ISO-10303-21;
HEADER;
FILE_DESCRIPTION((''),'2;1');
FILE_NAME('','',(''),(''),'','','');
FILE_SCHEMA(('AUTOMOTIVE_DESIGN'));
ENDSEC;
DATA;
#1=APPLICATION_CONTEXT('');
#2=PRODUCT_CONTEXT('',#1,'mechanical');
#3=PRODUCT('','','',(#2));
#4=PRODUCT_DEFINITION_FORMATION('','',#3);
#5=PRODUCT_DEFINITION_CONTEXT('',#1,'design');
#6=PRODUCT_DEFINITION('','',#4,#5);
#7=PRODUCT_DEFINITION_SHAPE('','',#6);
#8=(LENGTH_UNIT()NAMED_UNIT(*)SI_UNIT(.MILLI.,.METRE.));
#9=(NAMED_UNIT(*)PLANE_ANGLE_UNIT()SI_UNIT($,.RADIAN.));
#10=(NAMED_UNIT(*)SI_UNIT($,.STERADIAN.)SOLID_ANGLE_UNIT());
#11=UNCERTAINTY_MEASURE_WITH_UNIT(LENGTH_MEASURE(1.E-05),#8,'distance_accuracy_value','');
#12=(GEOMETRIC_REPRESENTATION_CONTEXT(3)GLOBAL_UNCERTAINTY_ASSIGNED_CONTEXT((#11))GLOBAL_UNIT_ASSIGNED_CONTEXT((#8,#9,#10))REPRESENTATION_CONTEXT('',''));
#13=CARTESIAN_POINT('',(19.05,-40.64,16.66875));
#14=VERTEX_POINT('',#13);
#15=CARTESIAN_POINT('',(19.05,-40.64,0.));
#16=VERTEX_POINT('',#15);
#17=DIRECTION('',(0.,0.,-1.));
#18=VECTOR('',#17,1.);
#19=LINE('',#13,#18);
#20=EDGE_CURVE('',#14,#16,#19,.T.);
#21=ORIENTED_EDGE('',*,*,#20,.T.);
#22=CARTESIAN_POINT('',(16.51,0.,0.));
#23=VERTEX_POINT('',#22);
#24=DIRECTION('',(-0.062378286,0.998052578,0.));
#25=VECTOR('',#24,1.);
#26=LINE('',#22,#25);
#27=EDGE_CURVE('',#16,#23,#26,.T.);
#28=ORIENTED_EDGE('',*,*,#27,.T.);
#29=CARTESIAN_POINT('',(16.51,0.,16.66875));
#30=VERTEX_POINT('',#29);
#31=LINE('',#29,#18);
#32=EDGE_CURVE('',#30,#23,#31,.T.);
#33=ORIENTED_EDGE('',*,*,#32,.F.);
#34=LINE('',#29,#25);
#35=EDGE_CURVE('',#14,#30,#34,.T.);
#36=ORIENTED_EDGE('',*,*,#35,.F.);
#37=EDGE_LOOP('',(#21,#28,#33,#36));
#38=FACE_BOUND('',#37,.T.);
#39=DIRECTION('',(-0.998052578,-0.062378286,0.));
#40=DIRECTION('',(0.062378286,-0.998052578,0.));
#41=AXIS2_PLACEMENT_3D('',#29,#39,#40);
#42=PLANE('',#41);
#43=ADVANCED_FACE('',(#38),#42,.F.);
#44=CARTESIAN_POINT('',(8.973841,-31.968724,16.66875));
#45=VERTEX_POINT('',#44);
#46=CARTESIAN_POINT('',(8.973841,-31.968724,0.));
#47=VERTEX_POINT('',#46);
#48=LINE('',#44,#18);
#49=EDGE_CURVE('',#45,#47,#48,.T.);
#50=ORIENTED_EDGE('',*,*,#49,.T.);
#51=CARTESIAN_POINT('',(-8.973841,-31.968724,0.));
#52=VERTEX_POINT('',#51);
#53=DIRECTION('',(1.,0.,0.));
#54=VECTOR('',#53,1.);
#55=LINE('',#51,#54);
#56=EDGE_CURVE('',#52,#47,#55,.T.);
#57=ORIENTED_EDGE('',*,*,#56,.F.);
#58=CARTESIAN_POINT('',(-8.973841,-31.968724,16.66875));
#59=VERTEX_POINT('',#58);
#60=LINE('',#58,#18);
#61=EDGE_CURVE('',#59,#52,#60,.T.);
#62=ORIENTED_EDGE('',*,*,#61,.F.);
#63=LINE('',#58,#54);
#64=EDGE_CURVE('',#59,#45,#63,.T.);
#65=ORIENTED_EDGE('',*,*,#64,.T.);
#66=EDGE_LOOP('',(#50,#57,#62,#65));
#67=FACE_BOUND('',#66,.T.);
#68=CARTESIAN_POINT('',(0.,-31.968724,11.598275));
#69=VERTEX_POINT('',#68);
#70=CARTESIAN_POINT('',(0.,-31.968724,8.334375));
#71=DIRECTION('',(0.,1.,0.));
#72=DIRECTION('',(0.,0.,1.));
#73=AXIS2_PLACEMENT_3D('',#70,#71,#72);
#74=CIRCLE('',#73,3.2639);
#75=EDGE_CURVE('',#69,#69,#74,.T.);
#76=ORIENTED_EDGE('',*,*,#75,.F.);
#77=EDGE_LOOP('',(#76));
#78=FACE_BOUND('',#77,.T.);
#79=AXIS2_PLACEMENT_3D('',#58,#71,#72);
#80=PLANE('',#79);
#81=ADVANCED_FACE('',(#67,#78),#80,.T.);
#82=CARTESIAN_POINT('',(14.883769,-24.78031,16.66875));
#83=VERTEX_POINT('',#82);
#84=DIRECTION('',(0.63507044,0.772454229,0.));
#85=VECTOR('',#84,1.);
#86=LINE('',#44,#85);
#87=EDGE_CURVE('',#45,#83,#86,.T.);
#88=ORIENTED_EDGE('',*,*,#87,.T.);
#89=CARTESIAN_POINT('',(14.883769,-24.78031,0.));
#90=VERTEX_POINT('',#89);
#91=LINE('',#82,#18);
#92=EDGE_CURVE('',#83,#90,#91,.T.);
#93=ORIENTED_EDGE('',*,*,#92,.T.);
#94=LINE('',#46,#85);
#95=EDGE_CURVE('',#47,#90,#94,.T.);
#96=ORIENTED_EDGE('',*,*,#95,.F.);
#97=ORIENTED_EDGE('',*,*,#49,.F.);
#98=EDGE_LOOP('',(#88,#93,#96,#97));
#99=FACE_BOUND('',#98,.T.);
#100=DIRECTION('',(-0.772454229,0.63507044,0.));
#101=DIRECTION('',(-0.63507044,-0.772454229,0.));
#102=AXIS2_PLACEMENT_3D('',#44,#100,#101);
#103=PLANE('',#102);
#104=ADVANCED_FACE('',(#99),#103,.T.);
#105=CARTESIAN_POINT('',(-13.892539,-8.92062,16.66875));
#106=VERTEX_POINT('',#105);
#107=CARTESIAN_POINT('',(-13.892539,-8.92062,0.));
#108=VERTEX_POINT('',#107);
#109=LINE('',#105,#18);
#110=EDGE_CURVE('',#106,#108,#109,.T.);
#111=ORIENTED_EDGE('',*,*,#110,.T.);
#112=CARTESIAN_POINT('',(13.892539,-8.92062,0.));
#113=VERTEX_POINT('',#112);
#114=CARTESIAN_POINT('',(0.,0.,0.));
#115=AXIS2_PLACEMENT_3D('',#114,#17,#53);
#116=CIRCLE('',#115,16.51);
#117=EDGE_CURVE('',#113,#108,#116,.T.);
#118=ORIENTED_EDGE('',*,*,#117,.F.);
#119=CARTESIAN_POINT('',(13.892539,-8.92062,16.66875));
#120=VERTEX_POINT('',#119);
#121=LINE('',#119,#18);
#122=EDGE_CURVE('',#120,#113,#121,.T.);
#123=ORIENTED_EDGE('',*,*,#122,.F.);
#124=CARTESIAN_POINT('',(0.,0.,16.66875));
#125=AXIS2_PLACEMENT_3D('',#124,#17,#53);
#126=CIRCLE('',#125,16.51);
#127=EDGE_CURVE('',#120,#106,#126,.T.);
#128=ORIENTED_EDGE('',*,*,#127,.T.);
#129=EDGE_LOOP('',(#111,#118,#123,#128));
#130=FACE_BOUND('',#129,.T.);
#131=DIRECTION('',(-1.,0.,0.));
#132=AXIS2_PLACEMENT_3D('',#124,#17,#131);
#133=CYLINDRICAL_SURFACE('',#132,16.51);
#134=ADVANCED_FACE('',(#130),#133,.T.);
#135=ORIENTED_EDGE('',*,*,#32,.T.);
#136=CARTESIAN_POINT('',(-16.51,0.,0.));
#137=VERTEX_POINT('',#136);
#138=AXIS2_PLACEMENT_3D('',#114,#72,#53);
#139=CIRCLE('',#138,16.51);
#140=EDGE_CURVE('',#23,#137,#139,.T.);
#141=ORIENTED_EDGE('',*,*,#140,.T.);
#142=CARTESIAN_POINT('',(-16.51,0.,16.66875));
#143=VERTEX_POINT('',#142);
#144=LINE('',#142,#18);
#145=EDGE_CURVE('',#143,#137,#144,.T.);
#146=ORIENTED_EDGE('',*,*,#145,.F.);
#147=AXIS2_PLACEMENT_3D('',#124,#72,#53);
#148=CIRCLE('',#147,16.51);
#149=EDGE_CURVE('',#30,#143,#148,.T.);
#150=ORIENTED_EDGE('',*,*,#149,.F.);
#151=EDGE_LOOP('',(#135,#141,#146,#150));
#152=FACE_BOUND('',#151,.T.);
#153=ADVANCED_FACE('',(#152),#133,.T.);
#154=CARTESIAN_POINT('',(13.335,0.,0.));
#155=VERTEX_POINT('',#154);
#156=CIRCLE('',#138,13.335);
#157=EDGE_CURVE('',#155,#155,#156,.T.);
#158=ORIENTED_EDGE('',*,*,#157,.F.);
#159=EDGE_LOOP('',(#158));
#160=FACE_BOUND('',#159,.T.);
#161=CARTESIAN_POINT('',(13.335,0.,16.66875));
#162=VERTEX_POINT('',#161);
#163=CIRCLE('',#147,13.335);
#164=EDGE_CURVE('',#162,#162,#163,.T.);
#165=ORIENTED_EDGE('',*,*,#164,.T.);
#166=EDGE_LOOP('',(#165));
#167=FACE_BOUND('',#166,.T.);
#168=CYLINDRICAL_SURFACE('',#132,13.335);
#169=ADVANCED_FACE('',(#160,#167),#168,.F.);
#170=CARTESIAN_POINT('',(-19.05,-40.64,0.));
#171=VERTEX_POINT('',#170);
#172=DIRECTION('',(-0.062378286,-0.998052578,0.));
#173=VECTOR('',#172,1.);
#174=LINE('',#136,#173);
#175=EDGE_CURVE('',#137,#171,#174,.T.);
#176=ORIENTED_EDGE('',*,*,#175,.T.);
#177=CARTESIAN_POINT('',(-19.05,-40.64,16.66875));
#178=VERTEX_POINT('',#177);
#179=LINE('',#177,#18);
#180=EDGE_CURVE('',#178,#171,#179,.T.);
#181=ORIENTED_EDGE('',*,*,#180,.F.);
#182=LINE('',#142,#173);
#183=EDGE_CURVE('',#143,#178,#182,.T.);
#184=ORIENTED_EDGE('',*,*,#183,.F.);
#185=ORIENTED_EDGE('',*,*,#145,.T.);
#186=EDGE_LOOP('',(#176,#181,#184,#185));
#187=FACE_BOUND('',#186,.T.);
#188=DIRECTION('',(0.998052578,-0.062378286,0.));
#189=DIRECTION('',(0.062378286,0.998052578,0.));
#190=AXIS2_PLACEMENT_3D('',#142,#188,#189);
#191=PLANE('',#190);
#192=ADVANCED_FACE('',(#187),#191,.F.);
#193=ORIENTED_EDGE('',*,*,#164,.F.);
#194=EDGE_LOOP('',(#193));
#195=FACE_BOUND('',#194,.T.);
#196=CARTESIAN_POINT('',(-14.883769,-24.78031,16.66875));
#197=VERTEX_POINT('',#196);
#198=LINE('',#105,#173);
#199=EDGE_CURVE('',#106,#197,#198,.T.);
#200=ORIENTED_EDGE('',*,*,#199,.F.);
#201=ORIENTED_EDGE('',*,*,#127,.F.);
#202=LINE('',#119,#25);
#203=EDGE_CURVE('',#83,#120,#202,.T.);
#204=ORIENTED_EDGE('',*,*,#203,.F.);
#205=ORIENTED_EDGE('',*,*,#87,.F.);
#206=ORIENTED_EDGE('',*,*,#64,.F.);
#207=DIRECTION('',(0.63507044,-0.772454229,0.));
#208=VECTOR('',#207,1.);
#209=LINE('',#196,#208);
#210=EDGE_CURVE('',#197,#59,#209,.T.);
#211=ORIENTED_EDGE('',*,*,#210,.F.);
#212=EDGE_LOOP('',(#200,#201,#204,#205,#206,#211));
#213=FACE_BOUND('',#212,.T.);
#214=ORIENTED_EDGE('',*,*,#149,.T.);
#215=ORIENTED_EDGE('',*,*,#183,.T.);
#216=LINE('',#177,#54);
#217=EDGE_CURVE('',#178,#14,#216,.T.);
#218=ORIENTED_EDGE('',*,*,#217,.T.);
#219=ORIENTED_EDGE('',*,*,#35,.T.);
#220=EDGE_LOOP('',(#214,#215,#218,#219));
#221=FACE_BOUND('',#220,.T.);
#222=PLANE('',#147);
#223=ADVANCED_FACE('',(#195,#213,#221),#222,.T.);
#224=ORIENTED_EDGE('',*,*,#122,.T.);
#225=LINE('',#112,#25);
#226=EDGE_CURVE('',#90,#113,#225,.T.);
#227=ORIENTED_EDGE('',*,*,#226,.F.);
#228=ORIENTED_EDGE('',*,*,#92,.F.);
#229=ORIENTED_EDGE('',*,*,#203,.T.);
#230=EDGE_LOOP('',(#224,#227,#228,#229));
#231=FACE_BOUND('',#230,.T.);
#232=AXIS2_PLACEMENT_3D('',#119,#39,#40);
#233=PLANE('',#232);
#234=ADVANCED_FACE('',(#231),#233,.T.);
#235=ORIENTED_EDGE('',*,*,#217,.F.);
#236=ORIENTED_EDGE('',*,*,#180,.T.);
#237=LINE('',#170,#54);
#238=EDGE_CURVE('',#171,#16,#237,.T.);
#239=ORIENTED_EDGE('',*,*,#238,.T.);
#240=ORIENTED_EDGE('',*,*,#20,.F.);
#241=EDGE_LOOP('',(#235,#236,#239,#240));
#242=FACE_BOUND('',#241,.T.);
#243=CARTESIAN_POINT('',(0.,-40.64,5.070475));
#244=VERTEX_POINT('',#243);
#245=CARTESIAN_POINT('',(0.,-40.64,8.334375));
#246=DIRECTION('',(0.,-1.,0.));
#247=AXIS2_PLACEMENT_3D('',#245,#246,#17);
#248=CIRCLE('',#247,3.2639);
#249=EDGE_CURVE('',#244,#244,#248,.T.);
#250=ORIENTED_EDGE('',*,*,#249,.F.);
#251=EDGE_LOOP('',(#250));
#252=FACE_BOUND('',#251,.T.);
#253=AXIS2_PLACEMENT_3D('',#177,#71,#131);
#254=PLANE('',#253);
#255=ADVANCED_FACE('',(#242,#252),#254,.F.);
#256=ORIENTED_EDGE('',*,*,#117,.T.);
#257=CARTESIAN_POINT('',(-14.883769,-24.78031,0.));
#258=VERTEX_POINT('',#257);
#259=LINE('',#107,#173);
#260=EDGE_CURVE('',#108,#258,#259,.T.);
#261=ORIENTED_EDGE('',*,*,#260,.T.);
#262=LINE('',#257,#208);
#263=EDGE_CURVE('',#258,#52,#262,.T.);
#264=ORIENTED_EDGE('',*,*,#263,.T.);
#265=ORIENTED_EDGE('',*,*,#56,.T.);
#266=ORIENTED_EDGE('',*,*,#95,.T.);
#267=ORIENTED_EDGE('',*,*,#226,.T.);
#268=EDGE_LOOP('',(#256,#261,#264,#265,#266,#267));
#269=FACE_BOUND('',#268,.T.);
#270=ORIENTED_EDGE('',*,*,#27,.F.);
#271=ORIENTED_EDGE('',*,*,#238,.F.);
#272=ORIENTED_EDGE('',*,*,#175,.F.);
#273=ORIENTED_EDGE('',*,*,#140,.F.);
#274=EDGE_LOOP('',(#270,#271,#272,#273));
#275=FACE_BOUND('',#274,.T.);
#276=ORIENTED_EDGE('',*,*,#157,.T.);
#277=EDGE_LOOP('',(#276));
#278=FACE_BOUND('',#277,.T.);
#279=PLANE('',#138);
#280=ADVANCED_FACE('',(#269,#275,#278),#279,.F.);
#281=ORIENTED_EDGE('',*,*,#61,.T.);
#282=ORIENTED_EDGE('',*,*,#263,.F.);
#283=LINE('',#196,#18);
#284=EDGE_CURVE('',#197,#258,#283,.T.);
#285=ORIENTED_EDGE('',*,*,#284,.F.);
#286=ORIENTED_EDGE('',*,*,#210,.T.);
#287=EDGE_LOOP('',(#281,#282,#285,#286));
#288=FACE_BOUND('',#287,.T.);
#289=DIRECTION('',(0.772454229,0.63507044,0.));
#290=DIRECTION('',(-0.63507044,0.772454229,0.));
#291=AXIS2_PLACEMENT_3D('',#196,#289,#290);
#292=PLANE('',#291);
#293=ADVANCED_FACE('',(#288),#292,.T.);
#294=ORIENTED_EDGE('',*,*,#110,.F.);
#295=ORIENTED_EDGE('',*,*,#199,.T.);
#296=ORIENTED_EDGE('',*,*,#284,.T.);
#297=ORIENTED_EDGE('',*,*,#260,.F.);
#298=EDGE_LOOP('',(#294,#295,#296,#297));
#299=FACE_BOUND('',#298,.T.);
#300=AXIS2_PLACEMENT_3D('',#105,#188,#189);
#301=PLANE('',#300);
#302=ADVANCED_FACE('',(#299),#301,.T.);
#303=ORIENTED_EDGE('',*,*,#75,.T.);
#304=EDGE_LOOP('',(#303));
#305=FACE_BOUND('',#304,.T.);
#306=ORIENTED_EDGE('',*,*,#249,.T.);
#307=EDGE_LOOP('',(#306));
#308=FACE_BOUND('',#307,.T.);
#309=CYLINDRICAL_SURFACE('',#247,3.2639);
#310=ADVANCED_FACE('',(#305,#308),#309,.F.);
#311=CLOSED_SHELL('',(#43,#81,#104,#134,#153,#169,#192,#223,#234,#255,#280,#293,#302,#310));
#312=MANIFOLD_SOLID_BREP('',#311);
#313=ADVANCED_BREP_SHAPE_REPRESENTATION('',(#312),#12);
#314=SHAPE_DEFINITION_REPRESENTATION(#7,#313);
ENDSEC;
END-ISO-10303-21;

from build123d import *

# Parameters (mm, degrees)
SKETCH1_R                   = 13.335
BOSS_EXTRUDE1_DEPTH         = 16.66875
F_1_4_CLEARANCE_HOLE1_D     = 6.5278
F_1_4_CLEARANCE_HOLE1_DEPTH = 8.671275816


with BuildPart() as part:
    # Sketch1 → Boss-Extrude1 (new body)
    with BuildSketch(Plane.XY):
        with BuildLine():
            Line((-19.05, -40.64), (19.05, -40.64))
            Line((19.05, -40.64), (16.51, 0))
            ThreePointArc((16.51, 0), (0, 16.51), (-16.51, 0))
            Line((-16.51, 0), (-19.05, -40.64))
        make_face()
        Circle(SKETCH1_R, mode=Mode.SUBTRACT)
        with BuildLine():
            Line((-13.892538769, -8.920620301), (-14.883769384, -24.780310151))
            Line((-14.883769384, -24.780310151), (-8.97384088, -31.968724184))
            Line((-8.97384088, -31.968724184), (8.97384088, -31.968724184))
            Line((8.97384088, -31.968724184), (14.883769384, -24.780310151))
            Line((14.883769384, -24.780310151), (13.892538769, -8.920620301))
            ThreePointArc((13.892538769, -8.920620301), (0, -16.51), (-13.892538769, -8.920620301))
        make_face(mode=Mode.SUBTRACT)
    extrude(amount=BOSS_EXTRUDE1_DEPTH)

    # 1/4 Clearance Hole1
    with Locations(Plane(origin=(0, -40.64, 0), x_dir=(-1, 0, 0), z_dir=(0, -1, 0))):
        with Locations((0, -8.334375)):
            Hole(F_1_4_CLEARANCE_HOLE1_D / 2, depth=F_1_4_CLEARANCE_HOLE1_DEPTH)


solid = part.part
